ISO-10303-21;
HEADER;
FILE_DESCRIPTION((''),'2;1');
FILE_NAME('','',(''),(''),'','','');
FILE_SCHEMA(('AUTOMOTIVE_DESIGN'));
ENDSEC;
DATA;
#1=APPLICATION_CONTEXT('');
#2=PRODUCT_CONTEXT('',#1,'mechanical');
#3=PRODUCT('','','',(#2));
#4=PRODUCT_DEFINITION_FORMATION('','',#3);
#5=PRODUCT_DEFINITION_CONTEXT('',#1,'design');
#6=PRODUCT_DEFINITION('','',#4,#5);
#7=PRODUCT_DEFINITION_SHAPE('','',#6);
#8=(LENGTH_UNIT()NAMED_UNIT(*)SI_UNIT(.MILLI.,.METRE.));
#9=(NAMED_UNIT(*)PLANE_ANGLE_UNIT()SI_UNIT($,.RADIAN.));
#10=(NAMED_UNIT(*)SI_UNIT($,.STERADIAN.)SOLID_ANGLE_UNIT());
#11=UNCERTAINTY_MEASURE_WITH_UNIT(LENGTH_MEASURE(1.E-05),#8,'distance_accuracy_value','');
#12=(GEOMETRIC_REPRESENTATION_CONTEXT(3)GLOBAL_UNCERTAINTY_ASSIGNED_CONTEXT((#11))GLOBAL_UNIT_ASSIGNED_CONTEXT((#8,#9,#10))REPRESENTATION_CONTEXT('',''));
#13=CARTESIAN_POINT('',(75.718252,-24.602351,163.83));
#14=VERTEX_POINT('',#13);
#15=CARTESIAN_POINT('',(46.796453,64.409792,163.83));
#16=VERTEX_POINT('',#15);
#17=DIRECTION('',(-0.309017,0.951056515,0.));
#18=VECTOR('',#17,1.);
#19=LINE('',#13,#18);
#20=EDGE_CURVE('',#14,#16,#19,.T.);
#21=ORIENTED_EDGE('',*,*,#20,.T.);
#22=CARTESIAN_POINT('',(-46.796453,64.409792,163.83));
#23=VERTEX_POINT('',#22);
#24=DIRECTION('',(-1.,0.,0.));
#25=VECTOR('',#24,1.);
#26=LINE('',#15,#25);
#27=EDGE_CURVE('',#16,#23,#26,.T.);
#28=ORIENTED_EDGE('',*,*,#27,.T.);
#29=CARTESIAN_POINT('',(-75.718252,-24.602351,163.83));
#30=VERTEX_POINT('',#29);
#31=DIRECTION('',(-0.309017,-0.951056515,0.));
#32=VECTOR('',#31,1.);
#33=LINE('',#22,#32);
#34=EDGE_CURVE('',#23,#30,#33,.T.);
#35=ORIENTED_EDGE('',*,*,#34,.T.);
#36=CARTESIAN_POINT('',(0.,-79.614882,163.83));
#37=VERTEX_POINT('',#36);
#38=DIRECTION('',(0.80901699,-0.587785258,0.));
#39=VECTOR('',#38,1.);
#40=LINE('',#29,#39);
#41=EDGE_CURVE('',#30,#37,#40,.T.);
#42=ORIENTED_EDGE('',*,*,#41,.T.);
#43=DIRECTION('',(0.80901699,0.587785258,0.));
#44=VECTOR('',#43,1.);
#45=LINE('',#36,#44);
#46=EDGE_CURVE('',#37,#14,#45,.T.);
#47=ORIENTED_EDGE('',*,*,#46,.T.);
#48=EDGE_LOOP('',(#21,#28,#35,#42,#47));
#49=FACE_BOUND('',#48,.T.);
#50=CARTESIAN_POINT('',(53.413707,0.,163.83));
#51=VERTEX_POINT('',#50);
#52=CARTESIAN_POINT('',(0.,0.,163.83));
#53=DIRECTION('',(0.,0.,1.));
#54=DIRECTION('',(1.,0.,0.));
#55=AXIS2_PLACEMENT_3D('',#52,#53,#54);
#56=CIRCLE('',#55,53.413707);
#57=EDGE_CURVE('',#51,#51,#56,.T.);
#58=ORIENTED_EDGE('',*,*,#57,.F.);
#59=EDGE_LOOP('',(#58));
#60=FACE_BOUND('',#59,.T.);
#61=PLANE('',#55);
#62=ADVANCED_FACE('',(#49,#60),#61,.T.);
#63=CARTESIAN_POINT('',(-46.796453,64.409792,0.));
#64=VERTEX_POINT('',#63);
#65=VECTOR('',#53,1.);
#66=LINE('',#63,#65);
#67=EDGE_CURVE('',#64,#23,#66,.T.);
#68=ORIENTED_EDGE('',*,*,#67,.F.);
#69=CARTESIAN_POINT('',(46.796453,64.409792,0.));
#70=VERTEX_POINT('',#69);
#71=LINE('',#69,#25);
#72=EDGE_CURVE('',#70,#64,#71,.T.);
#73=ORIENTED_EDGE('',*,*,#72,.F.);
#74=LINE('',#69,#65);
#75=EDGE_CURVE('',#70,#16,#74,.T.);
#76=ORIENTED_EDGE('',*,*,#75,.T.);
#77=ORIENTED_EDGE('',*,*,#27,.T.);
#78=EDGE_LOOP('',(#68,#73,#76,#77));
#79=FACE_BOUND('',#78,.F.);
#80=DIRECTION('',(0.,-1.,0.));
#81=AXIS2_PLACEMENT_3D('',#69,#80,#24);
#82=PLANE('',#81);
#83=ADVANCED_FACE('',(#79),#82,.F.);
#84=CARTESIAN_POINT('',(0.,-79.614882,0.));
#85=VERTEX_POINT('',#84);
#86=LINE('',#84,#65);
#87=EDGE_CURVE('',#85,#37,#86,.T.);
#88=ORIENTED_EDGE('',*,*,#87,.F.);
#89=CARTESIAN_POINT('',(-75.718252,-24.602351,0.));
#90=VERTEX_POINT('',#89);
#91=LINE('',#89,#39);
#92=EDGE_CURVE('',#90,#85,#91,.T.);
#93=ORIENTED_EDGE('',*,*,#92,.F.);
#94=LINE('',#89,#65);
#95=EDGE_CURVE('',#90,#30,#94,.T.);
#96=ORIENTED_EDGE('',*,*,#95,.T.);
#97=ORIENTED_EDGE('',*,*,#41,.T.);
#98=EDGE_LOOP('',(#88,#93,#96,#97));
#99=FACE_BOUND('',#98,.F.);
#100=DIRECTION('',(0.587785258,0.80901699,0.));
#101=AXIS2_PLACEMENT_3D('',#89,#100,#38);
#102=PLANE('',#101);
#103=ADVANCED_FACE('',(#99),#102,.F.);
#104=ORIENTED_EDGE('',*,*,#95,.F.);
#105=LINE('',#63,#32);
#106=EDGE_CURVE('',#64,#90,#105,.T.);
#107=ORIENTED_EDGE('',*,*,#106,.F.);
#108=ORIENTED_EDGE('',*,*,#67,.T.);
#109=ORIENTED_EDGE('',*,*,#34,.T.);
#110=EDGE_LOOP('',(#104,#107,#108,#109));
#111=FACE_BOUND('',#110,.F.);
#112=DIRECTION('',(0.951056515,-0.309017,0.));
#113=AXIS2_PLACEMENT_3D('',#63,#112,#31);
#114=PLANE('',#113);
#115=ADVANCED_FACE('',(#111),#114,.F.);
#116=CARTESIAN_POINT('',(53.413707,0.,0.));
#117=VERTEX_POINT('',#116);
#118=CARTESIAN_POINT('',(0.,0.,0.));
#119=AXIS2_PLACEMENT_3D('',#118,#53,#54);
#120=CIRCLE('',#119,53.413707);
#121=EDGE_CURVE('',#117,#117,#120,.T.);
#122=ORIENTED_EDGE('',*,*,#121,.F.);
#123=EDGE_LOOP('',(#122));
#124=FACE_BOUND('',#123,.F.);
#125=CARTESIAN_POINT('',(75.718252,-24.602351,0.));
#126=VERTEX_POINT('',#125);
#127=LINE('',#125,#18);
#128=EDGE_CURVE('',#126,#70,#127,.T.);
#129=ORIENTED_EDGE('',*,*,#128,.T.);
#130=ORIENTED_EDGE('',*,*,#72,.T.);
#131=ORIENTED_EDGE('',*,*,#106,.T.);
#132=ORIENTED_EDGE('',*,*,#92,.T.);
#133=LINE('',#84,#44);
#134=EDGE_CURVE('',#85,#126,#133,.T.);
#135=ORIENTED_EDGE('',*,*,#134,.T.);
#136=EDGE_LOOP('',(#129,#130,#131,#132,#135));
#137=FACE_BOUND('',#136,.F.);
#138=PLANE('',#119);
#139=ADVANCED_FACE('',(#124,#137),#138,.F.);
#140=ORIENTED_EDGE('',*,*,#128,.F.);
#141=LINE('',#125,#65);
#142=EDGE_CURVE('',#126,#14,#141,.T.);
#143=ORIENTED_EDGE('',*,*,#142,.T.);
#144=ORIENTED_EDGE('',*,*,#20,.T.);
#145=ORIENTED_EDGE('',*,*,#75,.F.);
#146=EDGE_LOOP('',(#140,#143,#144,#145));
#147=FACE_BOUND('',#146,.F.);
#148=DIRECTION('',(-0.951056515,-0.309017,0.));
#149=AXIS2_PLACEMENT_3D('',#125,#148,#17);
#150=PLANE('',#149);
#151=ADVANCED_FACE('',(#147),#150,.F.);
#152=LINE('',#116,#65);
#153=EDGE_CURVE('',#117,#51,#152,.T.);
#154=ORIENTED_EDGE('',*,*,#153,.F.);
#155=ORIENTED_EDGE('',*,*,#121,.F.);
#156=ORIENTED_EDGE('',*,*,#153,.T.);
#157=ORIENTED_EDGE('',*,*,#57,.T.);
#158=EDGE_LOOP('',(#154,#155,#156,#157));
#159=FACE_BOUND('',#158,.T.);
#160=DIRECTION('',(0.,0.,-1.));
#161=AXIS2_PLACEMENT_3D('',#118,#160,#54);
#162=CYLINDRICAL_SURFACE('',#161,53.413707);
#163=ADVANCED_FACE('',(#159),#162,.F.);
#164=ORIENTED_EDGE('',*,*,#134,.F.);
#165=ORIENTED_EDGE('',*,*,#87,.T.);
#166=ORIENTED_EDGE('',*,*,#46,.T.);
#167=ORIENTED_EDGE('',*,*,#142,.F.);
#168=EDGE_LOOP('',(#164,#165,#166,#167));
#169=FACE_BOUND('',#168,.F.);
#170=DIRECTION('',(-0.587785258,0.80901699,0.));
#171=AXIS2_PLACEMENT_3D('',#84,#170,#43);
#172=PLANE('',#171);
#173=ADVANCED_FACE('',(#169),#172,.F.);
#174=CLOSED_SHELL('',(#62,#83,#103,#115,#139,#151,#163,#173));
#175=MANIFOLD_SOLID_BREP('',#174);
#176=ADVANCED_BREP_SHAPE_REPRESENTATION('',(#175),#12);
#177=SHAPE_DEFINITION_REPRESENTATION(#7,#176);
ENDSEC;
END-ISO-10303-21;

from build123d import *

# Parameters (mm, degrees)
F0_R     = 53.413707
F1_DEPTH = 163.83


with BuildPart() as f1:
    # F0 (on Top) → F1 (new body)
    with BuildSketch(Plane.XY):
        Polygon((46.796453, 64.409792), (-46.796453, 64.409792), (-75.718252, -24.602351), (0, -79.614882), (75.718252, -24.602351), align=None)
        Circle(F0_R, mode=Mode.SUBTRACT)
    extrude(amount=F1_DEPTH)


solid = f1.part
